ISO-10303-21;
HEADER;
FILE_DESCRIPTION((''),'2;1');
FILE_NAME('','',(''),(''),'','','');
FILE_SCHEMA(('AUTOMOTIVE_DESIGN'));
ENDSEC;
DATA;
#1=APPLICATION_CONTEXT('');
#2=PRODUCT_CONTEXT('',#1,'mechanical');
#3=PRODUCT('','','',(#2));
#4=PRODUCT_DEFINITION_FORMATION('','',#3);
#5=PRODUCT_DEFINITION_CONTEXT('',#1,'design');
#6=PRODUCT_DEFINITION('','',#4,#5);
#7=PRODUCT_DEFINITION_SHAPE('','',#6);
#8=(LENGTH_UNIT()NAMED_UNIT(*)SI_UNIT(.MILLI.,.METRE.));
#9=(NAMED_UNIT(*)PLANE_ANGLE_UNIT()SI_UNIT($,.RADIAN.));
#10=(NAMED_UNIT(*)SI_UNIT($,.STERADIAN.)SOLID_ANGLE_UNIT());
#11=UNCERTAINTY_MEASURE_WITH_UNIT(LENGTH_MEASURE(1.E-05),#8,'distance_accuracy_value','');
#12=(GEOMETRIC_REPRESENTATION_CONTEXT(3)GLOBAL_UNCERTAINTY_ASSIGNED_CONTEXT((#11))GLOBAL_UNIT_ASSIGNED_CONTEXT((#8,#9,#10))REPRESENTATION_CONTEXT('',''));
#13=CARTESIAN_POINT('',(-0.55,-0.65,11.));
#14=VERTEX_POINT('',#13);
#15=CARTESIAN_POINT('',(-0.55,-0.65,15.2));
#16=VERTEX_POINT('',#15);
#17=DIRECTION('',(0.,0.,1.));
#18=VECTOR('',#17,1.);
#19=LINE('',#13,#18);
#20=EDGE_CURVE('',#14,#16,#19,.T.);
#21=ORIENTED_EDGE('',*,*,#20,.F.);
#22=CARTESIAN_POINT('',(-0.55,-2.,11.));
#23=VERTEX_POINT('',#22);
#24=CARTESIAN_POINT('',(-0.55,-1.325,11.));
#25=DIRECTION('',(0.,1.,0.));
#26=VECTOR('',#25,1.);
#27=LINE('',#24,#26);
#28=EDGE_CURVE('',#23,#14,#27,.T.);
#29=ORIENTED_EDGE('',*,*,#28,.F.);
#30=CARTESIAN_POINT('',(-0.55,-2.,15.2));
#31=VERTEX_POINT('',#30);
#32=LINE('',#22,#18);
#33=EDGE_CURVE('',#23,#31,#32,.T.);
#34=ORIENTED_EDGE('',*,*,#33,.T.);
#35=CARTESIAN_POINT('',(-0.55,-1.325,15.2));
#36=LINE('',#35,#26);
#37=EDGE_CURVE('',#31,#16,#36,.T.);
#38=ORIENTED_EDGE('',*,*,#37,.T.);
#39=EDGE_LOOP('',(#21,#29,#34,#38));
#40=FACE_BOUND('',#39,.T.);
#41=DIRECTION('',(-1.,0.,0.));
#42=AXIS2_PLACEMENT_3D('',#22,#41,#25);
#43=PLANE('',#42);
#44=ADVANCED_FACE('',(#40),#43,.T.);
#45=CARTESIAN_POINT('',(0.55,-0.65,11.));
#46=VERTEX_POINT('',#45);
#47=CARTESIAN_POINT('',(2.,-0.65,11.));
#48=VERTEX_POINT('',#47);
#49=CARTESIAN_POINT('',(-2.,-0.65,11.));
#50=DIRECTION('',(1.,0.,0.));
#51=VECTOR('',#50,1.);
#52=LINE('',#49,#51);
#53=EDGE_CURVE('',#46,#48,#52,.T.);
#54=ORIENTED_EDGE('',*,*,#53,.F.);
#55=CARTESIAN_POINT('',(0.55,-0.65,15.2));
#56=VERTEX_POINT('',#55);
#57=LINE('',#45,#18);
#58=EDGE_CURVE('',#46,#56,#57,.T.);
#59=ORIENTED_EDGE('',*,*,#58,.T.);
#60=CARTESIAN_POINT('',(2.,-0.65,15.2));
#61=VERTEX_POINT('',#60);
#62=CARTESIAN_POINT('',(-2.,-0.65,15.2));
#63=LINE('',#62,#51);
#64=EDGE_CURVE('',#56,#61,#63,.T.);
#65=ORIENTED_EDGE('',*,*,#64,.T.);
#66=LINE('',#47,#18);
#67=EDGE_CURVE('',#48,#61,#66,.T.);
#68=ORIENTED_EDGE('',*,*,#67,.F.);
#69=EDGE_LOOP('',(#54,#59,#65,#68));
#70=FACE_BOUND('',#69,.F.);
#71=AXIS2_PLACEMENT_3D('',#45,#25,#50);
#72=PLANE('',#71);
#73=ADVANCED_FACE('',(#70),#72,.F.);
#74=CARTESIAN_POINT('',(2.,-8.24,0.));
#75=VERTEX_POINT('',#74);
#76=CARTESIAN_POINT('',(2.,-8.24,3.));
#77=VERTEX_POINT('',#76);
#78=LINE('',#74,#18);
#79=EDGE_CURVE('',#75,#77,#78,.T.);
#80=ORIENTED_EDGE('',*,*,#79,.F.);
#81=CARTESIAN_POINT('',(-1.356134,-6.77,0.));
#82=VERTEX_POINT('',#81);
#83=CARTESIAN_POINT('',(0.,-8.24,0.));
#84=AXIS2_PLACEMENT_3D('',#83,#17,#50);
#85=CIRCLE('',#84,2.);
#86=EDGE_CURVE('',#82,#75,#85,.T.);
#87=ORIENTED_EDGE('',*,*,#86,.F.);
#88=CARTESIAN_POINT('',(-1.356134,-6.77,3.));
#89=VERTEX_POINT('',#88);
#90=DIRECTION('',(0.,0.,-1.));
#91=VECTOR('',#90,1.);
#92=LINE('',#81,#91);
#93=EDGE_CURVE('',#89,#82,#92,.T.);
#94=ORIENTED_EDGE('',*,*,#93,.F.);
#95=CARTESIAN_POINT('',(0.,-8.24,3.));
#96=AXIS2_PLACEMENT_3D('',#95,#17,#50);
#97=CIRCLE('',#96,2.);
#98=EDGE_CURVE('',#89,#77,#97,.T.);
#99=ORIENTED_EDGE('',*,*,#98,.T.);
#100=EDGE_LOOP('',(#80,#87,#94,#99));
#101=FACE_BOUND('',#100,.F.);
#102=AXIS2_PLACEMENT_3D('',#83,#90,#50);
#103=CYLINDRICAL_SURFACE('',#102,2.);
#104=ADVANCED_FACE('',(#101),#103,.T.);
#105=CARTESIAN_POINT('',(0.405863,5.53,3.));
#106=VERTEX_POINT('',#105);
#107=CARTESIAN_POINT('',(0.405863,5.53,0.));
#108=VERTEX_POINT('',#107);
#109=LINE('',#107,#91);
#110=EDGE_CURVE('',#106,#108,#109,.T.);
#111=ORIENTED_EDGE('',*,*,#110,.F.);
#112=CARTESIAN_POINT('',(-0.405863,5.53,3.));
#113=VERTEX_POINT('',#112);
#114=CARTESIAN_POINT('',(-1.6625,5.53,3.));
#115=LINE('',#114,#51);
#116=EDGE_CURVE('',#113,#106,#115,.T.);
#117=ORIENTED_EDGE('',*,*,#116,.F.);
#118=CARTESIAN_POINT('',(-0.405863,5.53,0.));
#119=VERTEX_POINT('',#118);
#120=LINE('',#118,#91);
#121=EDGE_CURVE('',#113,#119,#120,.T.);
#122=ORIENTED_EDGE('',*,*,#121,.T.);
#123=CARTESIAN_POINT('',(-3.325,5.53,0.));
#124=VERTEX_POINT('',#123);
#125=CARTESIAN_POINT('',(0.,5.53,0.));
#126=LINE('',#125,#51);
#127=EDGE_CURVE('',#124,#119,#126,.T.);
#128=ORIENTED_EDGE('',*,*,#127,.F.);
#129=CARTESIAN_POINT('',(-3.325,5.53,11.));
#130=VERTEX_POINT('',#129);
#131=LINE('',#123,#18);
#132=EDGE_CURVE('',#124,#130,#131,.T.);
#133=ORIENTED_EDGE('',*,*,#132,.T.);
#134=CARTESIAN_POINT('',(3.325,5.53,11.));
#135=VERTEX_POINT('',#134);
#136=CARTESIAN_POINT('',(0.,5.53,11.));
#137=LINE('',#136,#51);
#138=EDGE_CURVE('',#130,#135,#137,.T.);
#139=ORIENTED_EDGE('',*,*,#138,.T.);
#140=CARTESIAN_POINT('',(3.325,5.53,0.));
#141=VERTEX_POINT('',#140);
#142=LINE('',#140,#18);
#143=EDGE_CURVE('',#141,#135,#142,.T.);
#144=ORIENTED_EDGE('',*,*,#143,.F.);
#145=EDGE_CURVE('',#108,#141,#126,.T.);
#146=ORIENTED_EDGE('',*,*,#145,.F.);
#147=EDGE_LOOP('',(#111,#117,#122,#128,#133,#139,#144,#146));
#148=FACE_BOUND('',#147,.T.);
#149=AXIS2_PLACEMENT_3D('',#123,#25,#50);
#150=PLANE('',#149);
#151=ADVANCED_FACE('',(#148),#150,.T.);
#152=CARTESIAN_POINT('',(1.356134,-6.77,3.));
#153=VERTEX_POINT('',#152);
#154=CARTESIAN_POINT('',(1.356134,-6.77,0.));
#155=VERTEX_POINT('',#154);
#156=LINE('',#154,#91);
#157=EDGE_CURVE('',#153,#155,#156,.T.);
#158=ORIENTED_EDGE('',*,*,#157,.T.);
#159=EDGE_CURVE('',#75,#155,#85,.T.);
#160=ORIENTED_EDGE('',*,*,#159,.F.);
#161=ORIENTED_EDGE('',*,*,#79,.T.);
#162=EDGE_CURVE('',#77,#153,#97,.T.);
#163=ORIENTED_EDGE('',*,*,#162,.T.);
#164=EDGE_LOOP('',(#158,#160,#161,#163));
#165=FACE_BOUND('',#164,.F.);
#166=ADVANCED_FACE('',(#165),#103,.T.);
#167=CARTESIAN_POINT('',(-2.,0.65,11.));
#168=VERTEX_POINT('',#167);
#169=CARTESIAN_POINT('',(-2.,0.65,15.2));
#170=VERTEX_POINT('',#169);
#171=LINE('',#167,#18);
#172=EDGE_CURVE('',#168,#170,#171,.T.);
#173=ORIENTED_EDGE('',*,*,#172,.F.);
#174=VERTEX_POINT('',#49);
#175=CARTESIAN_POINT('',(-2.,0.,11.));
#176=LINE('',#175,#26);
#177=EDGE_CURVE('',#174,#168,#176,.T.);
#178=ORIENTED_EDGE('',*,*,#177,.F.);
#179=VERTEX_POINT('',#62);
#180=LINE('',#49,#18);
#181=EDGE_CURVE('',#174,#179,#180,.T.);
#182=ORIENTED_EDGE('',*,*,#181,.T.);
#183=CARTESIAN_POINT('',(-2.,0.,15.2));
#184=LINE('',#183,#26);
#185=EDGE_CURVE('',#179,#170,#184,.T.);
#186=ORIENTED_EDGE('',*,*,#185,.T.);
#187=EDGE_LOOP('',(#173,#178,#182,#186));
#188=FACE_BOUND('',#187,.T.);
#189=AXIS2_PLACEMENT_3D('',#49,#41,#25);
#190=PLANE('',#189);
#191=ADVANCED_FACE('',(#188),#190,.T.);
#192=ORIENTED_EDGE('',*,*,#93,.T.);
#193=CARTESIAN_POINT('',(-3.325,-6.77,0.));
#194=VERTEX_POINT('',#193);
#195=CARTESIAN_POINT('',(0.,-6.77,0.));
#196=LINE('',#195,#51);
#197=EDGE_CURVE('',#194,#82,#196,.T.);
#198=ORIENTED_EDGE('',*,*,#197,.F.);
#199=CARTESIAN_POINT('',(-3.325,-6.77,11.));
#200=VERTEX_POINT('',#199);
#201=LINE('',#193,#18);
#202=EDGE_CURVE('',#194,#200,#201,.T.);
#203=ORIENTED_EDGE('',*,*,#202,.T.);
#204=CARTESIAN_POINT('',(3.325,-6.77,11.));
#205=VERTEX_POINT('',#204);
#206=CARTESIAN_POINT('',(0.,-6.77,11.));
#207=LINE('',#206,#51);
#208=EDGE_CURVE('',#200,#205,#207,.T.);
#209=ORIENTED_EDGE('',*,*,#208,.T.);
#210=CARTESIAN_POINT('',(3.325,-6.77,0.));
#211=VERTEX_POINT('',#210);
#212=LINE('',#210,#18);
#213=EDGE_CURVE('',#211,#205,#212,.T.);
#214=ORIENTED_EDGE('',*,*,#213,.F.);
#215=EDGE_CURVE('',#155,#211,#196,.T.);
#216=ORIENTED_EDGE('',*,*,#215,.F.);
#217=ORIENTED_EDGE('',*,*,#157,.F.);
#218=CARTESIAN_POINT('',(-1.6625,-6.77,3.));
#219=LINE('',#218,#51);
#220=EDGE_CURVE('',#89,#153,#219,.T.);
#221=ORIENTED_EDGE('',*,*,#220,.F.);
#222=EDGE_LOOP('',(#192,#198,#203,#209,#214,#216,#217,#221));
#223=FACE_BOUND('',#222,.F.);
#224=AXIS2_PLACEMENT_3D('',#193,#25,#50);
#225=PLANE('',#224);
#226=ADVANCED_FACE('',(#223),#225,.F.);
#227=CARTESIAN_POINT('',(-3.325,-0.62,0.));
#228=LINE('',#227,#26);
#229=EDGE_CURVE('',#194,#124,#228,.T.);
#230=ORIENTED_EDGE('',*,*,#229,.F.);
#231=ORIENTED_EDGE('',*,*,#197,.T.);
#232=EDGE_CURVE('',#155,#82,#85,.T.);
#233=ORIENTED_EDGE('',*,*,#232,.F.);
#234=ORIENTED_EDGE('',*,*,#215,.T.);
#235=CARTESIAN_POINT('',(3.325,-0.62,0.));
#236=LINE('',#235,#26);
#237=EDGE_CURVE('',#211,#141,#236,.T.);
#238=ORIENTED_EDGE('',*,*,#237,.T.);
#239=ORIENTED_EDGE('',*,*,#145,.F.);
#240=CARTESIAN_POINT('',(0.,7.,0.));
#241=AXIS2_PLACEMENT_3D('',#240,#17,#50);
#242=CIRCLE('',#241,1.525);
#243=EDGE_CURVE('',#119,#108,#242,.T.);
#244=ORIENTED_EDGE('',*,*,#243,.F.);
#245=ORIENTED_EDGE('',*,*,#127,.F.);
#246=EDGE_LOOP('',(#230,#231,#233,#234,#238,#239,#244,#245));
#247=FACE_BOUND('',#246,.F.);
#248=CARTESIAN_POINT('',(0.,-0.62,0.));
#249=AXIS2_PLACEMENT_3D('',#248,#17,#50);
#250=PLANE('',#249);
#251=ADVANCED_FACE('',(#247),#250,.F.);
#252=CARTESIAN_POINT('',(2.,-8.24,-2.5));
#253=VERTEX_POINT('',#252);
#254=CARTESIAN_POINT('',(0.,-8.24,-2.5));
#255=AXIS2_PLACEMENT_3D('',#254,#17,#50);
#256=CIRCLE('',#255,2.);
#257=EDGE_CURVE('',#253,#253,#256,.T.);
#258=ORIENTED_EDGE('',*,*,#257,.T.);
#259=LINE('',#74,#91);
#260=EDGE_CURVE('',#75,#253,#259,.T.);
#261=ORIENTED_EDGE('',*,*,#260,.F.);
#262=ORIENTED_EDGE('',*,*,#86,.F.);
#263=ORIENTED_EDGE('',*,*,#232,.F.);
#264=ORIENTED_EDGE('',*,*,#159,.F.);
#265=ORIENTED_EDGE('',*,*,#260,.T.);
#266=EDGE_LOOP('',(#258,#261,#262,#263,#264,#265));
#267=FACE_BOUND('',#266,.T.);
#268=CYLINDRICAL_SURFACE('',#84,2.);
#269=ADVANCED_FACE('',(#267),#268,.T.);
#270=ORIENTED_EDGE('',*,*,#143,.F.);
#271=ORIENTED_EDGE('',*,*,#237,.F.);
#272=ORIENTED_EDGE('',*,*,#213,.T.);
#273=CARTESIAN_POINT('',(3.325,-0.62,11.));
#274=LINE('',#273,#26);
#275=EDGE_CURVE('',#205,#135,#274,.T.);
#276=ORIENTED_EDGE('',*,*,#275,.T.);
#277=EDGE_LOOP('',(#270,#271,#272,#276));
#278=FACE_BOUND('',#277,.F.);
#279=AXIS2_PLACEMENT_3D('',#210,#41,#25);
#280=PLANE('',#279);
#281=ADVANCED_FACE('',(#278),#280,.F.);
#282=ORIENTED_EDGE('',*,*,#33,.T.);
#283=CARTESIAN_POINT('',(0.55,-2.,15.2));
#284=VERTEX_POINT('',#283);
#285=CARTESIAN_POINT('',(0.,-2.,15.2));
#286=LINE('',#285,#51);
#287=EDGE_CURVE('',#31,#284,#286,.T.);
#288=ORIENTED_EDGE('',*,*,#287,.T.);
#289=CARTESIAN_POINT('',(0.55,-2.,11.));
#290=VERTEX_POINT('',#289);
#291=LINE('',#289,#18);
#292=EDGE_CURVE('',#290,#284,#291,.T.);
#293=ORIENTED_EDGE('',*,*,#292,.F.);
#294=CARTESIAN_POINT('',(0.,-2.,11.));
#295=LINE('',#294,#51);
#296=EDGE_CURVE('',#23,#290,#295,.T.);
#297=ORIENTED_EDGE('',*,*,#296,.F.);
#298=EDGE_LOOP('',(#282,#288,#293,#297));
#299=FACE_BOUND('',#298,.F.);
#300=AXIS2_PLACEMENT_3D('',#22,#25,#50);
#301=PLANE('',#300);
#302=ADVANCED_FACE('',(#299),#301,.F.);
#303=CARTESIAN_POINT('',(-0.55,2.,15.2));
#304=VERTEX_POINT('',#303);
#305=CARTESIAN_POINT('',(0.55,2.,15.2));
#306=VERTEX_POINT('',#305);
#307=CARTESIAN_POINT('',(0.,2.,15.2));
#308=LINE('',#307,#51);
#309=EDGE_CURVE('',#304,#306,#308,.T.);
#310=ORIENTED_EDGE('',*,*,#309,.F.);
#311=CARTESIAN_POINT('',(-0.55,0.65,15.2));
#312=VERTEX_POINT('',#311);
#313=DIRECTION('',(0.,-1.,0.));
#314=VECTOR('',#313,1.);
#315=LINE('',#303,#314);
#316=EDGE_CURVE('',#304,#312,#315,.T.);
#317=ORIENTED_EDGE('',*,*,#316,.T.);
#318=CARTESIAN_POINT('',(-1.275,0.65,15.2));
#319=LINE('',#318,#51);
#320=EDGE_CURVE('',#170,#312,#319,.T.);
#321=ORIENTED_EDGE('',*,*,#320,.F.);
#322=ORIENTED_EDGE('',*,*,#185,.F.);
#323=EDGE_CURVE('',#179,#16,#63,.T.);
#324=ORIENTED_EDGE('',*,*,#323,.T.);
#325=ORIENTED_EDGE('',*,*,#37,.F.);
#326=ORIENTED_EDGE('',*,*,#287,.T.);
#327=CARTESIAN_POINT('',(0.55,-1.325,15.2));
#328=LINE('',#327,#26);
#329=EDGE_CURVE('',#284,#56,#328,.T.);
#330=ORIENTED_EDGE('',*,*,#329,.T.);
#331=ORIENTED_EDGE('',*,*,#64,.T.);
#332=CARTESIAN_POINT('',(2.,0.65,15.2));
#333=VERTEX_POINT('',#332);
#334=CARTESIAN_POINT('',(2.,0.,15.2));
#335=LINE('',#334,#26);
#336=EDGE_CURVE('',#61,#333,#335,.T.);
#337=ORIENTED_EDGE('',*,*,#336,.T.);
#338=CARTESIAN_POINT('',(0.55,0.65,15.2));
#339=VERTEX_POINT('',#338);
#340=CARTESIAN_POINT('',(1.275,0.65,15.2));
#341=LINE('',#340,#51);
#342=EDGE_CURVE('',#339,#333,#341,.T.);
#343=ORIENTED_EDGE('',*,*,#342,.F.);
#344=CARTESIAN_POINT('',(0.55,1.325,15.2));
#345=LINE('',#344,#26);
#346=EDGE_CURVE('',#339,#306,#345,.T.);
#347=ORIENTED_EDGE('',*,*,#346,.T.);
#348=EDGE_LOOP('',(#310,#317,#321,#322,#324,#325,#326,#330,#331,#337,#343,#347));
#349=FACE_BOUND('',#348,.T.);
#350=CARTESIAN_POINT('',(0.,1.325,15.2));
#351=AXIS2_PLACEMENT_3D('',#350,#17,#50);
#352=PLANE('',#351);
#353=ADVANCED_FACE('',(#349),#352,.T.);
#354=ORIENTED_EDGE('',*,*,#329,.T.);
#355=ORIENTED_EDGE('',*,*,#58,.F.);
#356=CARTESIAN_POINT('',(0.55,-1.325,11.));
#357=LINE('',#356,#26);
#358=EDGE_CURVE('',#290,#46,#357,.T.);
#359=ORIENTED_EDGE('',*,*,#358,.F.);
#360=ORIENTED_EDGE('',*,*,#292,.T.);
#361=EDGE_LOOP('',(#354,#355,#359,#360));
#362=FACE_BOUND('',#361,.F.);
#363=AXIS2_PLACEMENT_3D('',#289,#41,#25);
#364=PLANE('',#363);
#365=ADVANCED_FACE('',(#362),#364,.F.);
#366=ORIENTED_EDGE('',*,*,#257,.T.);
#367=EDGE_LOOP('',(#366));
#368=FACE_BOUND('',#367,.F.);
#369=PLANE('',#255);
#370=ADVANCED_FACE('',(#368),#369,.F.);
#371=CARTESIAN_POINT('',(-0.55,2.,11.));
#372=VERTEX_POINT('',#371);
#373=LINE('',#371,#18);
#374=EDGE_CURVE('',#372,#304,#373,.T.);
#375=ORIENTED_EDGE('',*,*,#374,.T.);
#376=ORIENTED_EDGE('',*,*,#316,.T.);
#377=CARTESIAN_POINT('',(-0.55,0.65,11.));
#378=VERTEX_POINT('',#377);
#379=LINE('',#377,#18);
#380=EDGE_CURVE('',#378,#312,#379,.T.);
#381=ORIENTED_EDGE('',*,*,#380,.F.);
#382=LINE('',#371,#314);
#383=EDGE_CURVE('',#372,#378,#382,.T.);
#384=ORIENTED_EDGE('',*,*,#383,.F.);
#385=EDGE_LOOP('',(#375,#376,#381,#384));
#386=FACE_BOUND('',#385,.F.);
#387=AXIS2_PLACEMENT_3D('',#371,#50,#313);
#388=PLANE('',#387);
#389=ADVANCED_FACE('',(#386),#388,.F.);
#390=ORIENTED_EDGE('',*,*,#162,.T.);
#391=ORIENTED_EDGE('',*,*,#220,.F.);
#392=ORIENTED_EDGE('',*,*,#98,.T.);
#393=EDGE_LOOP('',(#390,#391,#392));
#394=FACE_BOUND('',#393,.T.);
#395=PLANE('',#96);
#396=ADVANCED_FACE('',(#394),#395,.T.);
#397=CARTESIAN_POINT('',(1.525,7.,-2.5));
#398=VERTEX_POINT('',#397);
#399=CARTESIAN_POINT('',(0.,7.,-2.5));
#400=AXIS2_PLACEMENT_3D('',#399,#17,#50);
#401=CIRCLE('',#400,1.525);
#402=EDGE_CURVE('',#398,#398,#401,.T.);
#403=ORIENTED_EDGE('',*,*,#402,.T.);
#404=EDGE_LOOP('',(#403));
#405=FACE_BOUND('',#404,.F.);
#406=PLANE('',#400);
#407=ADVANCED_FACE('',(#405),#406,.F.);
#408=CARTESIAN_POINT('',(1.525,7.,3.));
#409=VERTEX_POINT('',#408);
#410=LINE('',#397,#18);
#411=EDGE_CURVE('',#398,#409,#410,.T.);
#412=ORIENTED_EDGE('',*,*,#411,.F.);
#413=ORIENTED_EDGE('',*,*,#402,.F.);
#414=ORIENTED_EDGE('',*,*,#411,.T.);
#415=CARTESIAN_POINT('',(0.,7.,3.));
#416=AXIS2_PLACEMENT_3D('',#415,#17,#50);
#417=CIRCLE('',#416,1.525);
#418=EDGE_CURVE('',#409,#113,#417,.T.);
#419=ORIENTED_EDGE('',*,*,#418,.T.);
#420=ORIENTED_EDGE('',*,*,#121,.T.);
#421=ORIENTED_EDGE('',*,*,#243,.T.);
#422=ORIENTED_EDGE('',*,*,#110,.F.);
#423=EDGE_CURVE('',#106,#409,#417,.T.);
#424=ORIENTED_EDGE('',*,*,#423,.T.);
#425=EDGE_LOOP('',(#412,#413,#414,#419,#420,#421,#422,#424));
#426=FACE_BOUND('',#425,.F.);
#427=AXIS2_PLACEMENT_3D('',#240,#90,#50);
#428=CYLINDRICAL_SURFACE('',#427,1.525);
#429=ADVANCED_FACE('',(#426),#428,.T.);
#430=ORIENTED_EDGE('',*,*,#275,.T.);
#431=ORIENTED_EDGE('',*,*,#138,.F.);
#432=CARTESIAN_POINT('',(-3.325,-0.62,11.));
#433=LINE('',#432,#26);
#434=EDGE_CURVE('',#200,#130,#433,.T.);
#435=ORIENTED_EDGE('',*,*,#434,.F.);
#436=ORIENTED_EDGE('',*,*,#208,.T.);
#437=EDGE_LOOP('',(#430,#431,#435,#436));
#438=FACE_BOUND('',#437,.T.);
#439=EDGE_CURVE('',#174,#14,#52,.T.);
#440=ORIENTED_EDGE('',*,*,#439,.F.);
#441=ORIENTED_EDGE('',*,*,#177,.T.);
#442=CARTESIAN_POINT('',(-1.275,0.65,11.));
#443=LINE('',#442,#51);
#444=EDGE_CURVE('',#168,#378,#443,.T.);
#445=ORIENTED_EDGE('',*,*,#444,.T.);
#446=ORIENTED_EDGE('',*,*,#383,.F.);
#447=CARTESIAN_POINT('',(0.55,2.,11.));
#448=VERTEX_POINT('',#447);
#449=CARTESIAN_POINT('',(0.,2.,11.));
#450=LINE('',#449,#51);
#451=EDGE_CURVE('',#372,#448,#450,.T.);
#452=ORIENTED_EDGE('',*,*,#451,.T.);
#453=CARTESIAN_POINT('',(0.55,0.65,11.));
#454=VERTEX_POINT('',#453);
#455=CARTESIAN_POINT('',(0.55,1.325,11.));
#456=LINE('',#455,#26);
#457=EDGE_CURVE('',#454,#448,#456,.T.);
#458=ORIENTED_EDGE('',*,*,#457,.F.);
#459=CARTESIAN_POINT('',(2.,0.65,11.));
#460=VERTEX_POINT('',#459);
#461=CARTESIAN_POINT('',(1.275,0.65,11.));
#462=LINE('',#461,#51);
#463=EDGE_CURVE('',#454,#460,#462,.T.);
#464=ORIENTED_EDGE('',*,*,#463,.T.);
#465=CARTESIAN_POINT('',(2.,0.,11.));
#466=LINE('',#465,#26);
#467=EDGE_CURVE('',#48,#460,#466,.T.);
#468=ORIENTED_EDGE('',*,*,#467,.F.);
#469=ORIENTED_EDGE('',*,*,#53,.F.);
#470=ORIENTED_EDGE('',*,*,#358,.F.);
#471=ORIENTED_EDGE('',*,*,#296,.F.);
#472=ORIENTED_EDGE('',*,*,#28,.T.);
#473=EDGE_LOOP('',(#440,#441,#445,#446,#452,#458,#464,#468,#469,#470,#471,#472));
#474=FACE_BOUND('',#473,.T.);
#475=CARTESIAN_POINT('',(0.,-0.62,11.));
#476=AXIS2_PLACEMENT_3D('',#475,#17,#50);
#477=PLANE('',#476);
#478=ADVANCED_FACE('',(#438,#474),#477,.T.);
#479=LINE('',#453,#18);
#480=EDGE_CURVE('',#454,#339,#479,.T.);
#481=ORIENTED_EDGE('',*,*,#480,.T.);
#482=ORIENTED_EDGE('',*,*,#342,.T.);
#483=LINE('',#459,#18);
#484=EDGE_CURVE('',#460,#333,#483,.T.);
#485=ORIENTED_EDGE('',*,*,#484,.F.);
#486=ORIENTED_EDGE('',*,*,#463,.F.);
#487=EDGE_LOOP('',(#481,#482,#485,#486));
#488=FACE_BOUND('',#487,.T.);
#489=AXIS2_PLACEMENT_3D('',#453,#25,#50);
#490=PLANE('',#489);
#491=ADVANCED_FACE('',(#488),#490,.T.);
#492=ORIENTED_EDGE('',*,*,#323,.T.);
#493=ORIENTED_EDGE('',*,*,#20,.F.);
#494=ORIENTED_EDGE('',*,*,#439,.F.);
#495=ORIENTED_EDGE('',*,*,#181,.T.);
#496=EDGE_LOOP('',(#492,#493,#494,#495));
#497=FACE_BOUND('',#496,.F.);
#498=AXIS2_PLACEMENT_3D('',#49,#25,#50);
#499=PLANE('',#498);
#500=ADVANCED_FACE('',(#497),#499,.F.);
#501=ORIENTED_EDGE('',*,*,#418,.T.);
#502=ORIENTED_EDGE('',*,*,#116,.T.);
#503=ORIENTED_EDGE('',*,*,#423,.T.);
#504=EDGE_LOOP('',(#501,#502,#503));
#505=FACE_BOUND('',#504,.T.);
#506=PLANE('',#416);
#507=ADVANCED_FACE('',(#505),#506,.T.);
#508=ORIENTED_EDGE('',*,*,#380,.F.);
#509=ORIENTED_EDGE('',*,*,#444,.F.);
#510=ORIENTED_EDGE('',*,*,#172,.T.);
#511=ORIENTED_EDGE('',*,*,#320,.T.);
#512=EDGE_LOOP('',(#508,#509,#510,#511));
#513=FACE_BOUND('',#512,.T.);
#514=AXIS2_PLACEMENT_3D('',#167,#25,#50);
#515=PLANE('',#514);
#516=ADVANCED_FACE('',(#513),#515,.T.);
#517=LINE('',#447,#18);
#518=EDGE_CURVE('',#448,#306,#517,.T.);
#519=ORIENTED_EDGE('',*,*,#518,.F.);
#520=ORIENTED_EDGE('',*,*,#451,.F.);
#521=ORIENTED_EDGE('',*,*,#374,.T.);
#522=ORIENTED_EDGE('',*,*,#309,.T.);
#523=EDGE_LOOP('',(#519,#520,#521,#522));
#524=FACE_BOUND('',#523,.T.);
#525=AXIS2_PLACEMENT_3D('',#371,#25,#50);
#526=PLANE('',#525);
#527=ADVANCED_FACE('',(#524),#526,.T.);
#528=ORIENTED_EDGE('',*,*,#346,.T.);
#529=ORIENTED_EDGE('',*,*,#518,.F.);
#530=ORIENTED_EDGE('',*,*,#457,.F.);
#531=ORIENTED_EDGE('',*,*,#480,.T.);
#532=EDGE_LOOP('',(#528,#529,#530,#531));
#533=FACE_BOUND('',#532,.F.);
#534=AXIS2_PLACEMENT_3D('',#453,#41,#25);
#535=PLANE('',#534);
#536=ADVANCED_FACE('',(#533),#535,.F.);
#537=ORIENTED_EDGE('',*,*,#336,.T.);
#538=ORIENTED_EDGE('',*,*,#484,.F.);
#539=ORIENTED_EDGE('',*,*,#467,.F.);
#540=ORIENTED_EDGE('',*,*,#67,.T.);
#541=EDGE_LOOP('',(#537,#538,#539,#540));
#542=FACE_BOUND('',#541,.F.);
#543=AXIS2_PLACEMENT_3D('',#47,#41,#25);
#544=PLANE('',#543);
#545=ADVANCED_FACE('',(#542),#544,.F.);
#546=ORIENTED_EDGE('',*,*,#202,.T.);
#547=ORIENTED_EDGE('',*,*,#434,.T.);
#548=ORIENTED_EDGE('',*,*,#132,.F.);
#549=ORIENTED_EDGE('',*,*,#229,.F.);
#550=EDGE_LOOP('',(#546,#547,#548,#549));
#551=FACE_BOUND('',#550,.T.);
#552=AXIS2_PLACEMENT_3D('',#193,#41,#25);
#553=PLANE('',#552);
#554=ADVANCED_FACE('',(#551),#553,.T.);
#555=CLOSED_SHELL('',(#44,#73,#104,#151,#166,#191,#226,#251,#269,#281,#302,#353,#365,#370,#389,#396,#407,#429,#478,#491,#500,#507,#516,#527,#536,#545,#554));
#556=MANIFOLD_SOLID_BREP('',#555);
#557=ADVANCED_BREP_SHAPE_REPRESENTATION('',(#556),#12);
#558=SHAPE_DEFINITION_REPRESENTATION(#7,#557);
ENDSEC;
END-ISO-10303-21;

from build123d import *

# Parameters (mm, degrees)
F0_W          = 6.65
F0_H          = 12.3
F1_DEPTH      = 11
F2_R          = 1.525
F2_R_2        = 2
F3_DEPTH      = 2.5
F3_DEPTH_BACK = 3
F5_W          = 1.1
F5_H          = 1.35
F5_W_2        = 1.45
F5_H_2        = 1.3
F6_DEPTH      = 4.2


with BuildPart() as f1:
    # F0 (on Top) → F1 (new body)
    with BuildSketch(Plane.XY):
        with Locations((0, -0.62)):
            Rectangle(F0_W, F0_H)
    extrude(amount=F1_DEPTH)

    # F2 (on Top) → F3 (join, two sides)
    with BuildSketch(Plane.XY) as f3_sk:
        with Locations((0, 7)):
            Circle(F2_R)
        with Locations((0, -8.24)):
            Circle(F2_R_2)
    extrude(amount=-F3_DEPTH)
    extrude(f3_sk.sketch, amount=F3_DEPTH_BACK)

    # F5 (on face) → F6 (join, through all)
    with BuildSketch(Plane.XY.offset(11)):
        with Locations((0, 1.325)):
            Rectangle(F5_W, F5_H)
        with Locations((1.275, 0)):
            Rectangle(F5_W_2, F5_H_2)
        Rectangle(F5_W, F5_H_2)
        with Locations((-1.275, 0)):
            Rectangle(F5_W_2, F5_H_2)
        with Locations((0, -1.325)):
            Rectangle(F5_W, F5_H)
    extrude(amount=F6_DEPTH)


solid = f1.part
